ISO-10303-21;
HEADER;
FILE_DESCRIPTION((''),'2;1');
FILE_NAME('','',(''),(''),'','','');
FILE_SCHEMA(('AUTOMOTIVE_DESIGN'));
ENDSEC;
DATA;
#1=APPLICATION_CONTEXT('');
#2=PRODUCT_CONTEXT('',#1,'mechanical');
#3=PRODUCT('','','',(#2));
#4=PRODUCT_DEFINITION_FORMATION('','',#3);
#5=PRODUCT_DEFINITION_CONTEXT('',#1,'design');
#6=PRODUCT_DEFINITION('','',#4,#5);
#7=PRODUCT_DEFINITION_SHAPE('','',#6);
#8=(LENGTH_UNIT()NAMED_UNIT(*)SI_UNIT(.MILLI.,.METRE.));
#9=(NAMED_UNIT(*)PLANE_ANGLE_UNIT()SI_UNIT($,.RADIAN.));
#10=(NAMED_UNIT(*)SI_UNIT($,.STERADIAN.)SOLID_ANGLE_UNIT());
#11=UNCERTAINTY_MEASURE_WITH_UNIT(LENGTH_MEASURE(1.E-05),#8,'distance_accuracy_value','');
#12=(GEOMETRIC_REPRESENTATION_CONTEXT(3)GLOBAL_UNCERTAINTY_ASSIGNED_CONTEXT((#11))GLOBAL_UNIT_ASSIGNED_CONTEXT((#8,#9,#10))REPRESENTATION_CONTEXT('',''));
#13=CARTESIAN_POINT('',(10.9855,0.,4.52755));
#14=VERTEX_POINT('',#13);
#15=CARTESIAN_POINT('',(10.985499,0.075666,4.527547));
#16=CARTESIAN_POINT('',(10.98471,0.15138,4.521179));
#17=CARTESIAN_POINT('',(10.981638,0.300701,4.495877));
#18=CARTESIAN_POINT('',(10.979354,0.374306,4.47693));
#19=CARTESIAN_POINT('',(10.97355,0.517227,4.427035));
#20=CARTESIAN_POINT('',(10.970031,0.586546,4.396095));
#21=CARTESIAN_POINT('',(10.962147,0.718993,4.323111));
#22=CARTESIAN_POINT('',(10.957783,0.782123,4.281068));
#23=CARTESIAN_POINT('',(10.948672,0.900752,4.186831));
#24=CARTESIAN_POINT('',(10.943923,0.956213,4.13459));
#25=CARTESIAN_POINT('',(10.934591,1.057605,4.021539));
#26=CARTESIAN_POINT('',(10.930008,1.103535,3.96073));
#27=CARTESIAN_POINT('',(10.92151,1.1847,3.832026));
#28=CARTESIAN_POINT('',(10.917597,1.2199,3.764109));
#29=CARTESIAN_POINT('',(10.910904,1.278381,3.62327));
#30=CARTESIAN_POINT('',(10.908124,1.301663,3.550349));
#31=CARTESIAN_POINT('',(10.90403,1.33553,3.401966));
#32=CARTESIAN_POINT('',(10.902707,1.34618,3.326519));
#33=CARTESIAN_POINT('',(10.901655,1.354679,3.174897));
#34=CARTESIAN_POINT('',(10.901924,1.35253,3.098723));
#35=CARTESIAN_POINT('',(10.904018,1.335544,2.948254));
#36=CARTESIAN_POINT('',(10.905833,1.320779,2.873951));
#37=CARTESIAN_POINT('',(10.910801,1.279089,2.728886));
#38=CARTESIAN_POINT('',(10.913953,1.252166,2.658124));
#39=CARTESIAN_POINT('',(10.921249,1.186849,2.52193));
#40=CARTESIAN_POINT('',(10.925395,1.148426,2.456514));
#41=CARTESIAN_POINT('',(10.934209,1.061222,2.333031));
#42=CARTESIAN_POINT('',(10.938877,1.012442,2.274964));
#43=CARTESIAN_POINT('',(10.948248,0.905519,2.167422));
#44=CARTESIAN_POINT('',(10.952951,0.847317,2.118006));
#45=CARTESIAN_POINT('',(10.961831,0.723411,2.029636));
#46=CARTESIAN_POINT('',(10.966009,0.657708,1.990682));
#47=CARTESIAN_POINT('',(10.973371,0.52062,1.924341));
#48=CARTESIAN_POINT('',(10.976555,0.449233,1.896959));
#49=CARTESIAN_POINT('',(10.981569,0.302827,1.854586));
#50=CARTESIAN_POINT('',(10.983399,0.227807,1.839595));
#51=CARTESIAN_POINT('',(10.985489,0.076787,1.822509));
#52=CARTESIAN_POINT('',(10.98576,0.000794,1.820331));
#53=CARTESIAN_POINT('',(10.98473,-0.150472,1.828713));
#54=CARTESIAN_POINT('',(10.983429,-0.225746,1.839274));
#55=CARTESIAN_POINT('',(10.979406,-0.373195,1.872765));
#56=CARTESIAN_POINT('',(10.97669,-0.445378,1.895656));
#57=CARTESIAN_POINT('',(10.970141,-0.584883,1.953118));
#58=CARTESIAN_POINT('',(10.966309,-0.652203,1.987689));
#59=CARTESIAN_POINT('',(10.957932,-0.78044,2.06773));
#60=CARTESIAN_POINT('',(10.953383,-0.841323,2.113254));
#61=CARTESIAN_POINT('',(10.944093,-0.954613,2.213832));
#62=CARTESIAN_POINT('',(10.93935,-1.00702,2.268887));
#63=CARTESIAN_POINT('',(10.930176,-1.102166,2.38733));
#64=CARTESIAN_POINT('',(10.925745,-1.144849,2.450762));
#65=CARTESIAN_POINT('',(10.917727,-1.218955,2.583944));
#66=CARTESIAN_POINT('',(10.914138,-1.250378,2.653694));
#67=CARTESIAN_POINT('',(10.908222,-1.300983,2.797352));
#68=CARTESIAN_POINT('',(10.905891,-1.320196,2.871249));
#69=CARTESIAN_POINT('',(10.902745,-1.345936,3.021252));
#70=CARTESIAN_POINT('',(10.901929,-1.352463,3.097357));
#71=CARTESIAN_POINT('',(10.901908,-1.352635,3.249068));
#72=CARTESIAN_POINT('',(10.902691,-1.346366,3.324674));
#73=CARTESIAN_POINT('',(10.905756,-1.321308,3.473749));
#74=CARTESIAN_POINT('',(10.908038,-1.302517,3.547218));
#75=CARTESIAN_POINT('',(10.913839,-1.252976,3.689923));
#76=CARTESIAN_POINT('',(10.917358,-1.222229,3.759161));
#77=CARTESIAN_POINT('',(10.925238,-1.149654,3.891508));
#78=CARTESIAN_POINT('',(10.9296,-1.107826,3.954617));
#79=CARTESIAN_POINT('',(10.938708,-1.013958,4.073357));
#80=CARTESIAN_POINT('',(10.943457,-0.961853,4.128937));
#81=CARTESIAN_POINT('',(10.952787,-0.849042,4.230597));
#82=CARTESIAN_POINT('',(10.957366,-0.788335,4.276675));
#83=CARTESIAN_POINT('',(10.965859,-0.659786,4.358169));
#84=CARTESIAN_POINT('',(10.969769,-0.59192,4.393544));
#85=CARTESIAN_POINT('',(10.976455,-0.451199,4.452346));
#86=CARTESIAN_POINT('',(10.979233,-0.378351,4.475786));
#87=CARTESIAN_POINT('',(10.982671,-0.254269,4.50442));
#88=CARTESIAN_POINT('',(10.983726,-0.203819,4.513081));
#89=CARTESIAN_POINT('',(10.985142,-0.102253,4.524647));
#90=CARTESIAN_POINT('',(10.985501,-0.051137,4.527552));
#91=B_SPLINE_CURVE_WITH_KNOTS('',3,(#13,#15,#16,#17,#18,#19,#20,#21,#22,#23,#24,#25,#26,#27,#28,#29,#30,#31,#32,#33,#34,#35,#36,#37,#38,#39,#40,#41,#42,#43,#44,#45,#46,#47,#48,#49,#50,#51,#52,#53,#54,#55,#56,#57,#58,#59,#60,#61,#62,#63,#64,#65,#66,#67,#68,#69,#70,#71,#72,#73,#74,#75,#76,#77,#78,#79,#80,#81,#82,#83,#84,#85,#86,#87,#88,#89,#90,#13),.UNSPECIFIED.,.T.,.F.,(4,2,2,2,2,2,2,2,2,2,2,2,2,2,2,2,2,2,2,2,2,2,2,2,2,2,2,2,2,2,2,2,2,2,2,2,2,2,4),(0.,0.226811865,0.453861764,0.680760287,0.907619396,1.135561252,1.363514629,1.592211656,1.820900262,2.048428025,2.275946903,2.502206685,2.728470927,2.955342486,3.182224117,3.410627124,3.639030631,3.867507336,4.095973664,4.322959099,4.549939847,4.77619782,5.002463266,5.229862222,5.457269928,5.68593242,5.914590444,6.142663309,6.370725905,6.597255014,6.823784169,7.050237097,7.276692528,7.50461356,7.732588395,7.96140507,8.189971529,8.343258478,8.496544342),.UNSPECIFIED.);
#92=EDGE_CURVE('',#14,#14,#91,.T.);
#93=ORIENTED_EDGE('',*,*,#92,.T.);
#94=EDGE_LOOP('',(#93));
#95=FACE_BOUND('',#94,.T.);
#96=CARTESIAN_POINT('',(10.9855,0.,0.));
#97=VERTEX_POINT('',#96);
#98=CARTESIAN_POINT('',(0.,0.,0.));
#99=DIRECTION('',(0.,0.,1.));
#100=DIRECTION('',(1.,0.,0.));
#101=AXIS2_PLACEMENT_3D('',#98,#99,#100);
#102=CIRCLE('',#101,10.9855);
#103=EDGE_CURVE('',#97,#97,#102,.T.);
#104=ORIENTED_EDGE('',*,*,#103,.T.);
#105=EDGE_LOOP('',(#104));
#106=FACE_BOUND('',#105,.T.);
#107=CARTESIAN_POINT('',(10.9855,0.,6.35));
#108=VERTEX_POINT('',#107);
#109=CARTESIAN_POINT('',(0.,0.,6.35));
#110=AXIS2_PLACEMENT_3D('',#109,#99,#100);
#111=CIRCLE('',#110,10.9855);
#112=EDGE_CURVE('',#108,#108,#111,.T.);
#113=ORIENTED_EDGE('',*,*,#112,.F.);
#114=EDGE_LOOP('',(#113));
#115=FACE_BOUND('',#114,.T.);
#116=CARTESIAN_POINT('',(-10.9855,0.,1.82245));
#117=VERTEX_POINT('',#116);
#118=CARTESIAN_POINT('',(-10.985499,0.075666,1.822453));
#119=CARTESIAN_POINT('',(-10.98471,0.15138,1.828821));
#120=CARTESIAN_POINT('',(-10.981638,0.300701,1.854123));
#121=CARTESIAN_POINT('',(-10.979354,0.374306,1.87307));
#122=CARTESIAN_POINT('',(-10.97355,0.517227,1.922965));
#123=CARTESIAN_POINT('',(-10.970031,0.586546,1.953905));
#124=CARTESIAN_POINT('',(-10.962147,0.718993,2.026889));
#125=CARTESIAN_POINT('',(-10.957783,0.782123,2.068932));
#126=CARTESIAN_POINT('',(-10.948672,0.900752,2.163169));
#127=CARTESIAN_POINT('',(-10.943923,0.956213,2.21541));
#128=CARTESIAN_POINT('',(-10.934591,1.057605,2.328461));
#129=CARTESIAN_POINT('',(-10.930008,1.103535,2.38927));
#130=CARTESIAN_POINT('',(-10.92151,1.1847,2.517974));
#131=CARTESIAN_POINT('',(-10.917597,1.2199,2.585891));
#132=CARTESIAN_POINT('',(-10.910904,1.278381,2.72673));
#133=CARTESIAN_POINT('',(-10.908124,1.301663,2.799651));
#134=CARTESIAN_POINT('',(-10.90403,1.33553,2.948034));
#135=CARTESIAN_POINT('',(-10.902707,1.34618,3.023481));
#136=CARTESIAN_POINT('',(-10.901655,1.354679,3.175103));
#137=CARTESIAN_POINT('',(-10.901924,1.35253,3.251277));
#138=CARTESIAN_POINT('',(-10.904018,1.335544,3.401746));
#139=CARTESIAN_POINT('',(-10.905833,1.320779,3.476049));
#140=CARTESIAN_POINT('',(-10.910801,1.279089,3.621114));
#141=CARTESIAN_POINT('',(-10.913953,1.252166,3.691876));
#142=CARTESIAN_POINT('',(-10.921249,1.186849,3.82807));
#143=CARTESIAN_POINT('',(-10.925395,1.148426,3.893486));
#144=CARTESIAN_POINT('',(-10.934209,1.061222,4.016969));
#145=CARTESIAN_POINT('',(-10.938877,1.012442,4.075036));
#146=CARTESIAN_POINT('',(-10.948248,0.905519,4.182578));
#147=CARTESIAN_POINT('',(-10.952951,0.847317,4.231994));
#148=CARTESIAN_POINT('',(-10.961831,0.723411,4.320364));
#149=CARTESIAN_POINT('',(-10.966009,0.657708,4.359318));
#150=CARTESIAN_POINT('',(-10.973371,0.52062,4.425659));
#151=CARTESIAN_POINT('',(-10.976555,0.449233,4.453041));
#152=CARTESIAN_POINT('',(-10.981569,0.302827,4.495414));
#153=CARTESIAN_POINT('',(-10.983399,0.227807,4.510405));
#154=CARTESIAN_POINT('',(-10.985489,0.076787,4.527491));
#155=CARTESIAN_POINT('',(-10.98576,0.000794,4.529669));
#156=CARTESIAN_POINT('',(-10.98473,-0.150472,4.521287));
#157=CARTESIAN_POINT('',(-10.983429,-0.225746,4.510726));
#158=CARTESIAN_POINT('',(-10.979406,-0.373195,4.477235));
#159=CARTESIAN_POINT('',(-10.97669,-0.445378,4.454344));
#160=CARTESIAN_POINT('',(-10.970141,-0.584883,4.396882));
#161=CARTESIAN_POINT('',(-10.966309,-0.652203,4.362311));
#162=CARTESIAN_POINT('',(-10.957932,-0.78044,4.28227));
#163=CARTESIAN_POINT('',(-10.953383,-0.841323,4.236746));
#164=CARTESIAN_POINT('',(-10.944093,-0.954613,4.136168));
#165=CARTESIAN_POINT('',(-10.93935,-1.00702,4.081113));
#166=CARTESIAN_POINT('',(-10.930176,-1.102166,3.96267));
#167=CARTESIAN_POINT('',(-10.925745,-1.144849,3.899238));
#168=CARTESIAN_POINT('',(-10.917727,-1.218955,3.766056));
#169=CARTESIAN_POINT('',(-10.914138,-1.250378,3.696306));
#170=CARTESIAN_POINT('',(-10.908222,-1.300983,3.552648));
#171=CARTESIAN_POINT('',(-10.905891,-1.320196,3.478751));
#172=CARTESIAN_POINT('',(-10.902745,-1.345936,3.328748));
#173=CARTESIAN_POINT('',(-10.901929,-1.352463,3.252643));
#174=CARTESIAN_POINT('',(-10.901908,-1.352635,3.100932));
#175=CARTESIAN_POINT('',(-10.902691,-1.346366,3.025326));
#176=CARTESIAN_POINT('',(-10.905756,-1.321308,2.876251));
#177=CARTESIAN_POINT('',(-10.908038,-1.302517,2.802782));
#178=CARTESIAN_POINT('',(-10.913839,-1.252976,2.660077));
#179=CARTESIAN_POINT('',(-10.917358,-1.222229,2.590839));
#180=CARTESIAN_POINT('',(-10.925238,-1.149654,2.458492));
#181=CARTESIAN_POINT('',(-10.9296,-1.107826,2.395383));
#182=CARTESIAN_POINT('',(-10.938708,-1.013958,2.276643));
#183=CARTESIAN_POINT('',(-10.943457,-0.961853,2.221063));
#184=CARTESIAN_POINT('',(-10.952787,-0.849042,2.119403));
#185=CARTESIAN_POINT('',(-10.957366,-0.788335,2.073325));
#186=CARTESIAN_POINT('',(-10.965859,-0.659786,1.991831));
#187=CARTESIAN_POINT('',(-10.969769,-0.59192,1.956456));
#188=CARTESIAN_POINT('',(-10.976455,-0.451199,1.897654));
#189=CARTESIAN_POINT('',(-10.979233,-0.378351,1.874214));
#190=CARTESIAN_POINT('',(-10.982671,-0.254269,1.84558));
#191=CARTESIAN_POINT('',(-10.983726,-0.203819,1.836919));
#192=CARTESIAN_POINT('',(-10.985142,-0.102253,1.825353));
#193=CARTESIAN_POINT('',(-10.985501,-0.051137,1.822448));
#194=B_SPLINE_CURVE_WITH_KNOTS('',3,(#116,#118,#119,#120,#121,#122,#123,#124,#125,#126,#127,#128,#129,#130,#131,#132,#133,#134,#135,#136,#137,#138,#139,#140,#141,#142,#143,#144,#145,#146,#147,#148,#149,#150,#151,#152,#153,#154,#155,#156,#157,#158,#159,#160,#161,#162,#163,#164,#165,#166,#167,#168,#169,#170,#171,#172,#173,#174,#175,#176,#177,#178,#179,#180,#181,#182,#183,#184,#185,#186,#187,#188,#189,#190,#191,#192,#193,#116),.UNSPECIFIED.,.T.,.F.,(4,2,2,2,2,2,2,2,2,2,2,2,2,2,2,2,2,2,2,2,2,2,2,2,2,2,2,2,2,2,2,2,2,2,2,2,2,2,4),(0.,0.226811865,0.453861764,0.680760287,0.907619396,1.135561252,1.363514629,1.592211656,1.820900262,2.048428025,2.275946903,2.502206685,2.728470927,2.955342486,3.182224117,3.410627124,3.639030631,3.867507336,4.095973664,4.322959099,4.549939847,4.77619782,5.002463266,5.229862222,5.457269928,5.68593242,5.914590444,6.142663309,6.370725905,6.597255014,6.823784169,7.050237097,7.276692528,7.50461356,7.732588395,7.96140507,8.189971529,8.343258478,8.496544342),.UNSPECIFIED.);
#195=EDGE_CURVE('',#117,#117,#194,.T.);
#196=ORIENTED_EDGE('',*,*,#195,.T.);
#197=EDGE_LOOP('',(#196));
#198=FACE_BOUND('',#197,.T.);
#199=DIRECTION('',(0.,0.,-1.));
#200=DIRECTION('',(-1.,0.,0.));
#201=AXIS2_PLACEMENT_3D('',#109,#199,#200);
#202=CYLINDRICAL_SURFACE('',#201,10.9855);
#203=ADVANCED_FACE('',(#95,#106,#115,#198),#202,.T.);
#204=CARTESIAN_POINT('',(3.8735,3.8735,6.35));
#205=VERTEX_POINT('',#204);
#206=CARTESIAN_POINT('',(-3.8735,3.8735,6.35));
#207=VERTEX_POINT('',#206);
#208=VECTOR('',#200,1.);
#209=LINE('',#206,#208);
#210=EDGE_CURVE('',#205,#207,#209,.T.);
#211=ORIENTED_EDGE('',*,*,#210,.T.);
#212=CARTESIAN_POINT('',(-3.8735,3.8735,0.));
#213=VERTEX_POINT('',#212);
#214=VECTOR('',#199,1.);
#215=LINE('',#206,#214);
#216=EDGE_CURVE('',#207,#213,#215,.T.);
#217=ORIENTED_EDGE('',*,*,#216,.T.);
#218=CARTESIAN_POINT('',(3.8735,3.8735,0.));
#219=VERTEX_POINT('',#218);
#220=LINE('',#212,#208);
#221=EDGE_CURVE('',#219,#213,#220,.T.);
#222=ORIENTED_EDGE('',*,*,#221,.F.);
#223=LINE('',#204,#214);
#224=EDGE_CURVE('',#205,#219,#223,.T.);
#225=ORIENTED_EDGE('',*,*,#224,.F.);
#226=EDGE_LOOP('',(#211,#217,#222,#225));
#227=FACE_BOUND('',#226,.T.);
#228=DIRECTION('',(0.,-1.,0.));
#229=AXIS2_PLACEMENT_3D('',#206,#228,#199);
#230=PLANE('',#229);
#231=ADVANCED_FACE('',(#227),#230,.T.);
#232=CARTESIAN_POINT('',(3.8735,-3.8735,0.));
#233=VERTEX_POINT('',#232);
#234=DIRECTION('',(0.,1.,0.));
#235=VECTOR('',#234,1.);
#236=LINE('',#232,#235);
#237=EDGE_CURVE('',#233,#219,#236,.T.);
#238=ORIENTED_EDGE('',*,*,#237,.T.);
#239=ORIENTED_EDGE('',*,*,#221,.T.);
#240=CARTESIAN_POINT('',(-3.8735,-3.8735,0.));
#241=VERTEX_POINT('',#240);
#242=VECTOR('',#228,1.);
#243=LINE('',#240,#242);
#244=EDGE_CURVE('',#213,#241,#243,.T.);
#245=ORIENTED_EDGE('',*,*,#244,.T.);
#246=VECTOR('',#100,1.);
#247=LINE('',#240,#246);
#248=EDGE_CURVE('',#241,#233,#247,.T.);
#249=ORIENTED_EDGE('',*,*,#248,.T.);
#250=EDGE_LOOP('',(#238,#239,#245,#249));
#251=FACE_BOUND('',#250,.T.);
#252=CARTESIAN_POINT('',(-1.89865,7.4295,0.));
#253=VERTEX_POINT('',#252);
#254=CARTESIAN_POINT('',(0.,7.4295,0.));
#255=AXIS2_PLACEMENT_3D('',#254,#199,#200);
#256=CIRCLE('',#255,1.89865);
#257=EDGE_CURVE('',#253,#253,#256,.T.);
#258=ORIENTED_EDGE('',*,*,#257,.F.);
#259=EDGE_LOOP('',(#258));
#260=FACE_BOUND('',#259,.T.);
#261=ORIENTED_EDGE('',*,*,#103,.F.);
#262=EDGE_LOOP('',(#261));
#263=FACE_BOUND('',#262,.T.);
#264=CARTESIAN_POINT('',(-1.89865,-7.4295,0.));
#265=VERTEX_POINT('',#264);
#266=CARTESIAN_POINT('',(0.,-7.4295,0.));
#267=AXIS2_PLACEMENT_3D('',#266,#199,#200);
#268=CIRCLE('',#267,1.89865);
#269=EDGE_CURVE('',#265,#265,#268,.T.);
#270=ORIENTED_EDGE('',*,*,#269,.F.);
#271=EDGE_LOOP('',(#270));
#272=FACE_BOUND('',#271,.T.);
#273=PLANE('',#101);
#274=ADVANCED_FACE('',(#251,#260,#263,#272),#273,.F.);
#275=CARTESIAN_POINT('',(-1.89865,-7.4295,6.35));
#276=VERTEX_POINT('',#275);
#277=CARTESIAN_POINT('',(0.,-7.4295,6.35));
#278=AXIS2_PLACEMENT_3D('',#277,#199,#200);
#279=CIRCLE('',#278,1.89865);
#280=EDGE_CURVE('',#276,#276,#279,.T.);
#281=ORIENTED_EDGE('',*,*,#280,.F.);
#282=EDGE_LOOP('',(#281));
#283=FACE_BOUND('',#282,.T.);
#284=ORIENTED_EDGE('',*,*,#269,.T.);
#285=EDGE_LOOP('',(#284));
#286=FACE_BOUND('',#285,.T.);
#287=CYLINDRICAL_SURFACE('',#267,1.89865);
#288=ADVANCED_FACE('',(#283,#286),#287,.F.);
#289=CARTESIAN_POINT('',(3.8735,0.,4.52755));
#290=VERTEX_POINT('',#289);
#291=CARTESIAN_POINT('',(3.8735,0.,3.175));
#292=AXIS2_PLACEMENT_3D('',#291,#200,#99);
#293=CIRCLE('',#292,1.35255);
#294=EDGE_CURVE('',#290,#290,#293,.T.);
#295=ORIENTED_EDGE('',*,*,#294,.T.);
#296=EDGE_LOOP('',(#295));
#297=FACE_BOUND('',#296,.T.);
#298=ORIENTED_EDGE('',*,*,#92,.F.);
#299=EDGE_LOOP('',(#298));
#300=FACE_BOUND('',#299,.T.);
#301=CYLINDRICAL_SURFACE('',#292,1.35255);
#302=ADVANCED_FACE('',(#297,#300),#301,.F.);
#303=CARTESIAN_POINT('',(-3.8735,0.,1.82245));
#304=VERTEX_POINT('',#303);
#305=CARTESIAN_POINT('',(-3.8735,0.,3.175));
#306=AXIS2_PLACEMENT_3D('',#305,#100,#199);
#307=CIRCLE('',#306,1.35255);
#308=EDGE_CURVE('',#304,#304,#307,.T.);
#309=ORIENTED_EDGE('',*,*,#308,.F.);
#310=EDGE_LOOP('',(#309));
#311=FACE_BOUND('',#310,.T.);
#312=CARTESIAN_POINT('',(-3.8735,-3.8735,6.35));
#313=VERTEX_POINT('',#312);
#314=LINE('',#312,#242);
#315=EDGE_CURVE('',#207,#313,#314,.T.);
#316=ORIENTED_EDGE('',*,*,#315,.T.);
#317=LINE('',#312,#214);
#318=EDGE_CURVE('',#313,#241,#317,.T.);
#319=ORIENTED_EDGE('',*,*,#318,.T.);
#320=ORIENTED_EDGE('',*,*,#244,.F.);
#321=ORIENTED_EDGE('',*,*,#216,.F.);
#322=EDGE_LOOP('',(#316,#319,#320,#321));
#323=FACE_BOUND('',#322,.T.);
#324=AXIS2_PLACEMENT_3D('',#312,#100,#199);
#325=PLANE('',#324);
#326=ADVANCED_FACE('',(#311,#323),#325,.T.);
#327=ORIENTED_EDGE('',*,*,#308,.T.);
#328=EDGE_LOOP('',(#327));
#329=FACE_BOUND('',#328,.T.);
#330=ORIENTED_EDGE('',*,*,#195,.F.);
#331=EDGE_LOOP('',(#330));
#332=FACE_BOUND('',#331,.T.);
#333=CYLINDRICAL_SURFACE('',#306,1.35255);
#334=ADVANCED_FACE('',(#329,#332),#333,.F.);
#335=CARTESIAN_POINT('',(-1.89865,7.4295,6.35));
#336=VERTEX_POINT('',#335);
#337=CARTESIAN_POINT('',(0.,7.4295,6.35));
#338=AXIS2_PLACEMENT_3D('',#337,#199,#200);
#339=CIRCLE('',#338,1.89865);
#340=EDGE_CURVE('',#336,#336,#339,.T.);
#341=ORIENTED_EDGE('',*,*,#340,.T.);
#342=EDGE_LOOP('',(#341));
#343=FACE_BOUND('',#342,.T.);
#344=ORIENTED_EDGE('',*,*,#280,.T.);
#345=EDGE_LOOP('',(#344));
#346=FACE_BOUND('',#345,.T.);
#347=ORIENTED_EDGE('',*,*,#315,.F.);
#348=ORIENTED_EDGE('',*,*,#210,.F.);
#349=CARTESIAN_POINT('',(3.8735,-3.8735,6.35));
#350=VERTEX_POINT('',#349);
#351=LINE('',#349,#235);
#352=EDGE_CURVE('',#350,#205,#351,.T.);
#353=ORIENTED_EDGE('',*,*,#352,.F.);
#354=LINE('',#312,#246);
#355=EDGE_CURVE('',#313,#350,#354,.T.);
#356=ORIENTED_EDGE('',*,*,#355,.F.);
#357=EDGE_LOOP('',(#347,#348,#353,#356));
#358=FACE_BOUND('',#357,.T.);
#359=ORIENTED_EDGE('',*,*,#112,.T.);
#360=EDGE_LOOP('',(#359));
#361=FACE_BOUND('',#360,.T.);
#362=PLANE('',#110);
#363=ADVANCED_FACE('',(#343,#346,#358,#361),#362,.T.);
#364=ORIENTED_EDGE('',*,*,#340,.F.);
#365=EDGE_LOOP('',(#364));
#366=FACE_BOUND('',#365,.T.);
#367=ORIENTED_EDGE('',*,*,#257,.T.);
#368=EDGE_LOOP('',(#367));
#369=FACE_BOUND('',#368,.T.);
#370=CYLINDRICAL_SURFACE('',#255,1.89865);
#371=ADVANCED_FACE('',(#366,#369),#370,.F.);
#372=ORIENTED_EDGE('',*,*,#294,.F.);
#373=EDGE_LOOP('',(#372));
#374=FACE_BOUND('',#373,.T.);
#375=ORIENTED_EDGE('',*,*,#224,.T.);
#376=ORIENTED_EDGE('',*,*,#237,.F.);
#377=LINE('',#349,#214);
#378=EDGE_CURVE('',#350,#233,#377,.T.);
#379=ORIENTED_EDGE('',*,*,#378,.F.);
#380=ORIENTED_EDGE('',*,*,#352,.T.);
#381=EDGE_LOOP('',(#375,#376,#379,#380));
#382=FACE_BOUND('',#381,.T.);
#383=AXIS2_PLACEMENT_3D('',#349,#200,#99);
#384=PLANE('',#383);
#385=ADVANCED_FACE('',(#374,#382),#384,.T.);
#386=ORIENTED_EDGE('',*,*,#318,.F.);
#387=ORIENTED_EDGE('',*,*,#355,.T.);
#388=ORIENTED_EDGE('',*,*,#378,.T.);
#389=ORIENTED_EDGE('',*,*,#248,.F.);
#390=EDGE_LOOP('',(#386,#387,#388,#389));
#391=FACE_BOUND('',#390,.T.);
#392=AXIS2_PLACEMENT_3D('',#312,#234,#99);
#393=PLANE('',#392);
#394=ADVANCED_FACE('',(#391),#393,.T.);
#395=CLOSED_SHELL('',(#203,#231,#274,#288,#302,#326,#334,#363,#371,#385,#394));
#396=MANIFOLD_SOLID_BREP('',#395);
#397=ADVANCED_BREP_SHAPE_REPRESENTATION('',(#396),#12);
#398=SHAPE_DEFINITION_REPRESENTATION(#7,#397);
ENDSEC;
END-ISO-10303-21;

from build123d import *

# Parameters (mm, degrees)
SKETCH1_R                           = 10.9855
SKETCH1_W                           = 7.747
SKETCH1_H                           = 7.747
BOSS_EXTRUDE1_DEPTH                 = 6.35
F_6_32_TAPPED_HOLE1_D               = 2.7051
F_6_32_TAPPED_HOLE1_DEPTH           = 7.112
F_6_32_TAPPED_HOLE1_ON_FACE_2_D     = 2.7051
F_6_32_TAPPED_HOLE1_ON_FACE_2_DEPTH = 7.112
F_6_32_TAPPED_HOLE2_D               = 2.7051
F_6_CLEARANCE_HOLE1_D               = 3.7973


with BuildPart() as part:
    # Sketch1 → Boss-Extrude1 (new body)
    with BuildSketch(Plane.XY):
        Circle(SKETCH1_R)
        Rectangle(SKETCH1_W, SKETCH1_H, mode=Mode.SUBTRACT)
    extrude(amount=BOSS_EXTRUDE1_DEPTH)

    # #6-32 Tapped Hole1
    with Locations(Plane(origin=(10.9855, 0, 3.175), x_dir=(0, 0, 1), z_dir=(1, 0, 0))):
        with Locations((0, 0)):
            Hole(F_6_32_TAPPED_HOLE1_D / 2, depth=F_6_32_TAPPED_HOLE1_DEPTH)

    # #6-32 Tapped Hole1 on face 2
    with Locations(Plane(origin=(3.8735, 0, 3.175), x_dir=(0, 0, -1), z_dir=(-1, 0, 0))):
        with Locations((0, 0)):
            Hole(F_6_32_TAPPED_HOLE1_ON_FACE_2_D / 2, depth=F_6_32_TAPPED_HOLE1_ON_FACE_2_DEPTH)

    # #6-32 Tapped Hole2 (through all)
    with Locations(Plane(origin=(-3.8735, 0, 0), x_dir=(0, 0, -1), z_dir=(1, 0, 0))):
        with Locations((-3.175, 0)):
            Hole(F_6_32_TAPPED_HOLE2_D / 2)

    # #6 Clearance Hole1 (through all)
    with Locations(Plane(origin=(0, 0, 0), x_dir=(-1, 0, 0), z_dir=(0, 0, -1))):
        with Locations((0, -7.4295), (0, 7.4295)):
            Hole(F_6_CLEARANCE_HOLE1_D / 2)


solid = part.part
